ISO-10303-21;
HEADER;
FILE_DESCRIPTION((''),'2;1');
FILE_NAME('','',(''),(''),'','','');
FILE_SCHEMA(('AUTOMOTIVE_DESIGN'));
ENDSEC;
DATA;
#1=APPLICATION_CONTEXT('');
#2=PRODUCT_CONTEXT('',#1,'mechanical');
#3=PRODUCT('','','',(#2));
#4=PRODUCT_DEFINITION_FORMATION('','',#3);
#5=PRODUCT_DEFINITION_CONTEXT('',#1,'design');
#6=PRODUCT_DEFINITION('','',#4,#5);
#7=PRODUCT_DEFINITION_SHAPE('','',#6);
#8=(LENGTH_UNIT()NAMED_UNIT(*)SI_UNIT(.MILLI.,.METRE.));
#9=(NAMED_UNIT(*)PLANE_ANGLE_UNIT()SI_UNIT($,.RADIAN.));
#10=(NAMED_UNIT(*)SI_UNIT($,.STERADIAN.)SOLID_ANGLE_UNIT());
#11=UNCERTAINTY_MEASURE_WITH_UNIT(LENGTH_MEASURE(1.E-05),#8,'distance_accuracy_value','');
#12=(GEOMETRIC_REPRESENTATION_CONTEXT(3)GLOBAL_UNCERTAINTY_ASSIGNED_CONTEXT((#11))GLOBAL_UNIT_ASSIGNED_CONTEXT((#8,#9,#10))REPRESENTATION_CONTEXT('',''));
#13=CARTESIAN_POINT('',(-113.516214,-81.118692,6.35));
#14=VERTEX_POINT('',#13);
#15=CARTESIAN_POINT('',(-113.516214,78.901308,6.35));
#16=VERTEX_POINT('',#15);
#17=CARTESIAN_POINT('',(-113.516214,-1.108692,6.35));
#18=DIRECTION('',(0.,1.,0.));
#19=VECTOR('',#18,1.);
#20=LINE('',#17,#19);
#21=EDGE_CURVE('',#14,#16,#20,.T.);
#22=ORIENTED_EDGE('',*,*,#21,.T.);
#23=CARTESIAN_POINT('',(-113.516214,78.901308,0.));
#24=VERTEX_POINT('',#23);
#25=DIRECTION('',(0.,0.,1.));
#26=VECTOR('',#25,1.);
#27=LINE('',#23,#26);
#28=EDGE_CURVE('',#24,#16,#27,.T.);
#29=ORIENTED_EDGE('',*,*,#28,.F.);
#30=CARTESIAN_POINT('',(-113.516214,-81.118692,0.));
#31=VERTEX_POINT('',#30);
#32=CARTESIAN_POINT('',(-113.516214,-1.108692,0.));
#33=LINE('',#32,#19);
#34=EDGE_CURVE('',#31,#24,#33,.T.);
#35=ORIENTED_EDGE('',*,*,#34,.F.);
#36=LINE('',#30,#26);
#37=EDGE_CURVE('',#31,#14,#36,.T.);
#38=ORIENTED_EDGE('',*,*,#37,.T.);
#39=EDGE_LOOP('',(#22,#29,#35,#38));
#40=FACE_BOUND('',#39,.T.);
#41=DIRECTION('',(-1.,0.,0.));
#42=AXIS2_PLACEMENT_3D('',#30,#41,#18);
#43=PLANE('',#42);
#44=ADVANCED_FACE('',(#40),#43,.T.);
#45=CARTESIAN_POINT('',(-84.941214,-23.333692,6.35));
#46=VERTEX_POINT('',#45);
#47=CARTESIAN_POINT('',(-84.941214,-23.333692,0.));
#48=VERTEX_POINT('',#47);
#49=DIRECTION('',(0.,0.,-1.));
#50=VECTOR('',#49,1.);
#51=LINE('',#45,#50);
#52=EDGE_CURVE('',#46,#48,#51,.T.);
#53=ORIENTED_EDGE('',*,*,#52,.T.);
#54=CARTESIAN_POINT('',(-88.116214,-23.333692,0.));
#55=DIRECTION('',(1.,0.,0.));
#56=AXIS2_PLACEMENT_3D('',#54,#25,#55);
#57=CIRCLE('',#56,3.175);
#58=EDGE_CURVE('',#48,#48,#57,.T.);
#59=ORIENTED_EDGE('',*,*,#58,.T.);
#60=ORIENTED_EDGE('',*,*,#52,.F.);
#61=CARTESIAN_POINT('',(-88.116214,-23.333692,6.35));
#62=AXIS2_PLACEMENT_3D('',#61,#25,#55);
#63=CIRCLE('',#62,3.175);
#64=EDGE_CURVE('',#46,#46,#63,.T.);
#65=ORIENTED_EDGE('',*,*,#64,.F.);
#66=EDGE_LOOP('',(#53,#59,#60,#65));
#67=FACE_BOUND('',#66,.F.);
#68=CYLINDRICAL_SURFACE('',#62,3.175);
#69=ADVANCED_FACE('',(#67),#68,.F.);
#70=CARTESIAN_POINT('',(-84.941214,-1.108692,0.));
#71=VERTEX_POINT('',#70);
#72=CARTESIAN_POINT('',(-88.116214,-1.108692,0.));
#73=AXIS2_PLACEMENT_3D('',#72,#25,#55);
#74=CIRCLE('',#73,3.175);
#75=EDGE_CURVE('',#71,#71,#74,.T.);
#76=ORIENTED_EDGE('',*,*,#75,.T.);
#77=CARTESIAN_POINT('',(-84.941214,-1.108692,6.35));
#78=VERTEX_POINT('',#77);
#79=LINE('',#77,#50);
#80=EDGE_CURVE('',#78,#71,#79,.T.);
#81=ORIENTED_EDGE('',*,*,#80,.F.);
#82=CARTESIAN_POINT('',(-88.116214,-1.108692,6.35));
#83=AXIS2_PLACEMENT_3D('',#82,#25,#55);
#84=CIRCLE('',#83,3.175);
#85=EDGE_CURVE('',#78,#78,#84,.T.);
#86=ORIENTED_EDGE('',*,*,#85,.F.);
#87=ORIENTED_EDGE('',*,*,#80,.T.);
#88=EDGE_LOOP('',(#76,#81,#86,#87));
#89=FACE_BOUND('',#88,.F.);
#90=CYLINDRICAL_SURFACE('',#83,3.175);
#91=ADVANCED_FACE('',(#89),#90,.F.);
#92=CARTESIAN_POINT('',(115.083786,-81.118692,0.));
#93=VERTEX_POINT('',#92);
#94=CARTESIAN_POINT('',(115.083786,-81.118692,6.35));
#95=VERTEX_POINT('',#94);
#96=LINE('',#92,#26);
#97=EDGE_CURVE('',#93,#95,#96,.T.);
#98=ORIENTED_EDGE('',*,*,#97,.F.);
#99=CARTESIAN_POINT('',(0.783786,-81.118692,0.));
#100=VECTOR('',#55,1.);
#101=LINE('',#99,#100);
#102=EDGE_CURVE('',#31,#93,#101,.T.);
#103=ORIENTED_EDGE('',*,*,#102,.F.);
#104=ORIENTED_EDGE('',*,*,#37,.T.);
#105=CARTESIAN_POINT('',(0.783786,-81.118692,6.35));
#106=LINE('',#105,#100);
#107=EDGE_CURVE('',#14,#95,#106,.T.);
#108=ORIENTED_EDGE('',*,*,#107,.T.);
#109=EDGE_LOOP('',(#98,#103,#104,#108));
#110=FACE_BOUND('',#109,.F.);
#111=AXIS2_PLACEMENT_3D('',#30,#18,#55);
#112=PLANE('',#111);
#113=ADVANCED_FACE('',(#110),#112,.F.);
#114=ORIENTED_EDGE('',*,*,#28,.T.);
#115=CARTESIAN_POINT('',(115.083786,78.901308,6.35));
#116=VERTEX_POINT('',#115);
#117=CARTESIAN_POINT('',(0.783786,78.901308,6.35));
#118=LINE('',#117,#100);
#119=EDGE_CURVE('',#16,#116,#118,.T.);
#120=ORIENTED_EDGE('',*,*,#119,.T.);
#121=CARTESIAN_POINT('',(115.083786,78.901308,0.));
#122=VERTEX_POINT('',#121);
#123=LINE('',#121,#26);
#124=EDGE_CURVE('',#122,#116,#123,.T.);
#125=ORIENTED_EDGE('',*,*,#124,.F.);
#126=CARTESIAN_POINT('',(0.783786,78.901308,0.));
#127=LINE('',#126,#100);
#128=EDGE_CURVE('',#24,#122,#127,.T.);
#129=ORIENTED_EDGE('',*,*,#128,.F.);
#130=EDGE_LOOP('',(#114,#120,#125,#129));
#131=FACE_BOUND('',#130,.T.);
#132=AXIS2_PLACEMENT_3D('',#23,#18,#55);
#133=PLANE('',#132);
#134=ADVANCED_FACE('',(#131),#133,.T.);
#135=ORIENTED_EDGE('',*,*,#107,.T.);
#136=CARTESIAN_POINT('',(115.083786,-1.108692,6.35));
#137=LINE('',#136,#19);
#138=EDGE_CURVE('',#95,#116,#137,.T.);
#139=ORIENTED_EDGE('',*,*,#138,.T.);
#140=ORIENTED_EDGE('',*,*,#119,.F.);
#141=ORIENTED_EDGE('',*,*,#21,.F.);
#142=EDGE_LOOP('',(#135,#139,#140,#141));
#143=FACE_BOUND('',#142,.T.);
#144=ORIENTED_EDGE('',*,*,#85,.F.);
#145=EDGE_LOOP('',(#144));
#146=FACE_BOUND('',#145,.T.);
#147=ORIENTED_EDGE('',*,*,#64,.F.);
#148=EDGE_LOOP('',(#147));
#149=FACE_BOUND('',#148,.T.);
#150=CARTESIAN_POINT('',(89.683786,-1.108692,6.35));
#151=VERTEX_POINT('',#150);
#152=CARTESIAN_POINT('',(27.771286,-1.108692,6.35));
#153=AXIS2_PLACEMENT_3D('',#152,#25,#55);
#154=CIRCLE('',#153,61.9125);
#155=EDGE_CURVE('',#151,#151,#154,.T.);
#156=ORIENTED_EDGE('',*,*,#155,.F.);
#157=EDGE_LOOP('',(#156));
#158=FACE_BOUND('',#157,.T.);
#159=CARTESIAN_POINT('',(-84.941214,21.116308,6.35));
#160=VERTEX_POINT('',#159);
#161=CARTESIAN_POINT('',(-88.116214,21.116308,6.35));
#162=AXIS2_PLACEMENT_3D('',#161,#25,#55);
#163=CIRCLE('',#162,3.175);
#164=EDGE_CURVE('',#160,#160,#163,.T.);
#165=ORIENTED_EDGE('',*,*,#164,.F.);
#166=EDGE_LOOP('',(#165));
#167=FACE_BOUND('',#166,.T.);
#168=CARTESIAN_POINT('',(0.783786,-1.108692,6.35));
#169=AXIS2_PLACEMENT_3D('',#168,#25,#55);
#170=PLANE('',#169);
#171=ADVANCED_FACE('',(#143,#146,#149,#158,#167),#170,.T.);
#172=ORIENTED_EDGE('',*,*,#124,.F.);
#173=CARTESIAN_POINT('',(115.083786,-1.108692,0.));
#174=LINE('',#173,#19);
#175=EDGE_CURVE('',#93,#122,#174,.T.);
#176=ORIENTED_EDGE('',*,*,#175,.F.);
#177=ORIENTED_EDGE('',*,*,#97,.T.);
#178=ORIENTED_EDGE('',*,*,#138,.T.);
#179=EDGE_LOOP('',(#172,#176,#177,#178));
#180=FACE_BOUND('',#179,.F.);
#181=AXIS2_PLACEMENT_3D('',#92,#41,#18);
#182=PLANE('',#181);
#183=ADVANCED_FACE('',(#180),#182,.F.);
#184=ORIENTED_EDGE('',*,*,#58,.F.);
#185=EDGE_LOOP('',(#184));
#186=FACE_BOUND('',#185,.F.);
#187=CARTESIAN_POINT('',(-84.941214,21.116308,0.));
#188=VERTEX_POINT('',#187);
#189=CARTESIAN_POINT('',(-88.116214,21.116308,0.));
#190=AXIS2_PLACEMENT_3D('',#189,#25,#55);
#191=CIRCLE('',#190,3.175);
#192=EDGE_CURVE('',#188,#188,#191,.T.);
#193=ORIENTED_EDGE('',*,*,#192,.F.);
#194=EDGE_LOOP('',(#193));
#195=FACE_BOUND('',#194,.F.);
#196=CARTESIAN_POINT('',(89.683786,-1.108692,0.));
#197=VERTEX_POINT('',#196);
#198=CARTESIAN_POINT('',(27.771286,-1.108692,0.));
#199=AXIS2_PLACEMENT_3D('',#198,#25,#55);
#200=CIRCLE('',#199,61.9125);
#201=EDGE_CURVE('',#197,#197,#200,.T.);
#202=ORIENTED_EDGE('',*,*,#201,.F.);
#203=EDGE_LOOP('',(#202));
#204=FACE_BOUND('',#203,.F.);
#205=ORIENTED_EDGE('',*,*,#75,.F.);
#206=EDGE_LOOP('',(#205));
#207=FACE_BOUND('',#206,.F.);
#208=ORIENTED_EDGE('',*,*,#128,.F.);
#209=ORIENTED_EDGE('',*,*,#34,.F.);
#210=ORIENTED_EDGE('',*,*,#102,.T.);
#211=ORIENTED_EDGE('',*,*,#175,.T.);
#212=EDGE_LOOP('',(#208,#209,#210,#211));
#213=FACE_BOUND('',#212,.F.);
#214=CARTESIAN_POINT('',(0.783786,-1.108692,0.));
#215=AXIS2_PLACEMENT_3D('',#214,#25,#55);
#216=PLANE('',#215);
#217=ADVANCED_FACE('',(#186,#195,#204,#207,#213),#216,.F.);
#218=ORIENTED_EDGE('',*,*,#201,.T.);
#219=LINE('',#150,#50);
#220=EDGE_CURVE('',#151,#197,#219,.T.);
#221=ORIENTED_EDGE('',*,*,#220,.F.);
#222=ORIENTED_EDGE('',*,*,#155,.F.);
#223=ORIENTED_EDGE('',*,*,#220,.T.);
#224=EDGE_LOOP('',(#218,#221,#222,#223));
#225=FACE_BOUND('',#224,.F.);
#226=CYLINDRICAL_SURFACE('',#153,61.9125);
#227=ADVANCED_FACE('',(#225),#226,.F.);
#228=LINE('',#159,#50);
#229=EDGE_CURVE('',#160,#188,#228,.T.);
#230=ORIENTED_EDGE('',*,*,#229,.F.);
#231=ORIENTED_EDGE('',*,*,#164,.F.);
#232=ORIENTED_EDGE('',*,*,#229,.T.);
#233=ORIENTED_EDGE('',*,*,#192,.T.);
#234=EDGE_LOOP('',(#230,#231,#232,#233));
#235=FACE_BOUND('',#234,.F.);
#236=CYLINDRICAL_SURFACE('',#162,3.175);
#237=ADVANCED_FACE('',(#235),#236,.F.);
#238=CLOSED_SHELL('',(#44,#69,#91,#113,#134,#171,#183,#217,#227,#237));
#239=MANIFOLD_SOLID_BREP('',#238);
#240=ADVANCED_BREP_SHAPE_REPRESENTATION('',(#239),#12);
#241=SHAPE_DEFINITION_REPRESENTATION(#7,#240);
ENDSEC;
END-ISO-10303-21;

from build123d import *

# Parameters (mm, degrees)
F0_W     = 228.6
F0_H     = 160.02
F1_DEPTH = 6.35
F2_R     = 61.9125
F3_DEPTH = 25.4
F4_R     = 3.175
F5_DEPTH = 25.4


with BuildPart() as f1:
    # F0 (on Top) → F1 (new body)
    with BuildSketch(Plane.XY):
        with Locations((0.783786, -1.108692)):
            Rectangle(F0_W, F0_H)
    extrude(amount=F1_DEPTH)

    # F2 (on face) → F3 (cut)
    with BuildSketch(Plane.XY.offset(6.35)):
        with Locations((27.771286, -1.108692)):
            Circle(F2_R)
    extrude(amount=-F3_DEPTH, mode=Mode.SUBTRACT)

    # F4 (on face) → F5 (cut)
    with BuildSketch(Plane.XY.offset(6.35)):
        with Locations((-88.116214, -23.333692)):
            Circle(F4_R)
        with Locations((-88.116214, -1.108692)):
            Circle(F4_R)
        with Locations((-88.116214, 21.116308)):
            Circle(F4_R)
    extrude(amount=-F5_DEPTH, mode=Mode.SUBTRACT)


solid = f1.part
